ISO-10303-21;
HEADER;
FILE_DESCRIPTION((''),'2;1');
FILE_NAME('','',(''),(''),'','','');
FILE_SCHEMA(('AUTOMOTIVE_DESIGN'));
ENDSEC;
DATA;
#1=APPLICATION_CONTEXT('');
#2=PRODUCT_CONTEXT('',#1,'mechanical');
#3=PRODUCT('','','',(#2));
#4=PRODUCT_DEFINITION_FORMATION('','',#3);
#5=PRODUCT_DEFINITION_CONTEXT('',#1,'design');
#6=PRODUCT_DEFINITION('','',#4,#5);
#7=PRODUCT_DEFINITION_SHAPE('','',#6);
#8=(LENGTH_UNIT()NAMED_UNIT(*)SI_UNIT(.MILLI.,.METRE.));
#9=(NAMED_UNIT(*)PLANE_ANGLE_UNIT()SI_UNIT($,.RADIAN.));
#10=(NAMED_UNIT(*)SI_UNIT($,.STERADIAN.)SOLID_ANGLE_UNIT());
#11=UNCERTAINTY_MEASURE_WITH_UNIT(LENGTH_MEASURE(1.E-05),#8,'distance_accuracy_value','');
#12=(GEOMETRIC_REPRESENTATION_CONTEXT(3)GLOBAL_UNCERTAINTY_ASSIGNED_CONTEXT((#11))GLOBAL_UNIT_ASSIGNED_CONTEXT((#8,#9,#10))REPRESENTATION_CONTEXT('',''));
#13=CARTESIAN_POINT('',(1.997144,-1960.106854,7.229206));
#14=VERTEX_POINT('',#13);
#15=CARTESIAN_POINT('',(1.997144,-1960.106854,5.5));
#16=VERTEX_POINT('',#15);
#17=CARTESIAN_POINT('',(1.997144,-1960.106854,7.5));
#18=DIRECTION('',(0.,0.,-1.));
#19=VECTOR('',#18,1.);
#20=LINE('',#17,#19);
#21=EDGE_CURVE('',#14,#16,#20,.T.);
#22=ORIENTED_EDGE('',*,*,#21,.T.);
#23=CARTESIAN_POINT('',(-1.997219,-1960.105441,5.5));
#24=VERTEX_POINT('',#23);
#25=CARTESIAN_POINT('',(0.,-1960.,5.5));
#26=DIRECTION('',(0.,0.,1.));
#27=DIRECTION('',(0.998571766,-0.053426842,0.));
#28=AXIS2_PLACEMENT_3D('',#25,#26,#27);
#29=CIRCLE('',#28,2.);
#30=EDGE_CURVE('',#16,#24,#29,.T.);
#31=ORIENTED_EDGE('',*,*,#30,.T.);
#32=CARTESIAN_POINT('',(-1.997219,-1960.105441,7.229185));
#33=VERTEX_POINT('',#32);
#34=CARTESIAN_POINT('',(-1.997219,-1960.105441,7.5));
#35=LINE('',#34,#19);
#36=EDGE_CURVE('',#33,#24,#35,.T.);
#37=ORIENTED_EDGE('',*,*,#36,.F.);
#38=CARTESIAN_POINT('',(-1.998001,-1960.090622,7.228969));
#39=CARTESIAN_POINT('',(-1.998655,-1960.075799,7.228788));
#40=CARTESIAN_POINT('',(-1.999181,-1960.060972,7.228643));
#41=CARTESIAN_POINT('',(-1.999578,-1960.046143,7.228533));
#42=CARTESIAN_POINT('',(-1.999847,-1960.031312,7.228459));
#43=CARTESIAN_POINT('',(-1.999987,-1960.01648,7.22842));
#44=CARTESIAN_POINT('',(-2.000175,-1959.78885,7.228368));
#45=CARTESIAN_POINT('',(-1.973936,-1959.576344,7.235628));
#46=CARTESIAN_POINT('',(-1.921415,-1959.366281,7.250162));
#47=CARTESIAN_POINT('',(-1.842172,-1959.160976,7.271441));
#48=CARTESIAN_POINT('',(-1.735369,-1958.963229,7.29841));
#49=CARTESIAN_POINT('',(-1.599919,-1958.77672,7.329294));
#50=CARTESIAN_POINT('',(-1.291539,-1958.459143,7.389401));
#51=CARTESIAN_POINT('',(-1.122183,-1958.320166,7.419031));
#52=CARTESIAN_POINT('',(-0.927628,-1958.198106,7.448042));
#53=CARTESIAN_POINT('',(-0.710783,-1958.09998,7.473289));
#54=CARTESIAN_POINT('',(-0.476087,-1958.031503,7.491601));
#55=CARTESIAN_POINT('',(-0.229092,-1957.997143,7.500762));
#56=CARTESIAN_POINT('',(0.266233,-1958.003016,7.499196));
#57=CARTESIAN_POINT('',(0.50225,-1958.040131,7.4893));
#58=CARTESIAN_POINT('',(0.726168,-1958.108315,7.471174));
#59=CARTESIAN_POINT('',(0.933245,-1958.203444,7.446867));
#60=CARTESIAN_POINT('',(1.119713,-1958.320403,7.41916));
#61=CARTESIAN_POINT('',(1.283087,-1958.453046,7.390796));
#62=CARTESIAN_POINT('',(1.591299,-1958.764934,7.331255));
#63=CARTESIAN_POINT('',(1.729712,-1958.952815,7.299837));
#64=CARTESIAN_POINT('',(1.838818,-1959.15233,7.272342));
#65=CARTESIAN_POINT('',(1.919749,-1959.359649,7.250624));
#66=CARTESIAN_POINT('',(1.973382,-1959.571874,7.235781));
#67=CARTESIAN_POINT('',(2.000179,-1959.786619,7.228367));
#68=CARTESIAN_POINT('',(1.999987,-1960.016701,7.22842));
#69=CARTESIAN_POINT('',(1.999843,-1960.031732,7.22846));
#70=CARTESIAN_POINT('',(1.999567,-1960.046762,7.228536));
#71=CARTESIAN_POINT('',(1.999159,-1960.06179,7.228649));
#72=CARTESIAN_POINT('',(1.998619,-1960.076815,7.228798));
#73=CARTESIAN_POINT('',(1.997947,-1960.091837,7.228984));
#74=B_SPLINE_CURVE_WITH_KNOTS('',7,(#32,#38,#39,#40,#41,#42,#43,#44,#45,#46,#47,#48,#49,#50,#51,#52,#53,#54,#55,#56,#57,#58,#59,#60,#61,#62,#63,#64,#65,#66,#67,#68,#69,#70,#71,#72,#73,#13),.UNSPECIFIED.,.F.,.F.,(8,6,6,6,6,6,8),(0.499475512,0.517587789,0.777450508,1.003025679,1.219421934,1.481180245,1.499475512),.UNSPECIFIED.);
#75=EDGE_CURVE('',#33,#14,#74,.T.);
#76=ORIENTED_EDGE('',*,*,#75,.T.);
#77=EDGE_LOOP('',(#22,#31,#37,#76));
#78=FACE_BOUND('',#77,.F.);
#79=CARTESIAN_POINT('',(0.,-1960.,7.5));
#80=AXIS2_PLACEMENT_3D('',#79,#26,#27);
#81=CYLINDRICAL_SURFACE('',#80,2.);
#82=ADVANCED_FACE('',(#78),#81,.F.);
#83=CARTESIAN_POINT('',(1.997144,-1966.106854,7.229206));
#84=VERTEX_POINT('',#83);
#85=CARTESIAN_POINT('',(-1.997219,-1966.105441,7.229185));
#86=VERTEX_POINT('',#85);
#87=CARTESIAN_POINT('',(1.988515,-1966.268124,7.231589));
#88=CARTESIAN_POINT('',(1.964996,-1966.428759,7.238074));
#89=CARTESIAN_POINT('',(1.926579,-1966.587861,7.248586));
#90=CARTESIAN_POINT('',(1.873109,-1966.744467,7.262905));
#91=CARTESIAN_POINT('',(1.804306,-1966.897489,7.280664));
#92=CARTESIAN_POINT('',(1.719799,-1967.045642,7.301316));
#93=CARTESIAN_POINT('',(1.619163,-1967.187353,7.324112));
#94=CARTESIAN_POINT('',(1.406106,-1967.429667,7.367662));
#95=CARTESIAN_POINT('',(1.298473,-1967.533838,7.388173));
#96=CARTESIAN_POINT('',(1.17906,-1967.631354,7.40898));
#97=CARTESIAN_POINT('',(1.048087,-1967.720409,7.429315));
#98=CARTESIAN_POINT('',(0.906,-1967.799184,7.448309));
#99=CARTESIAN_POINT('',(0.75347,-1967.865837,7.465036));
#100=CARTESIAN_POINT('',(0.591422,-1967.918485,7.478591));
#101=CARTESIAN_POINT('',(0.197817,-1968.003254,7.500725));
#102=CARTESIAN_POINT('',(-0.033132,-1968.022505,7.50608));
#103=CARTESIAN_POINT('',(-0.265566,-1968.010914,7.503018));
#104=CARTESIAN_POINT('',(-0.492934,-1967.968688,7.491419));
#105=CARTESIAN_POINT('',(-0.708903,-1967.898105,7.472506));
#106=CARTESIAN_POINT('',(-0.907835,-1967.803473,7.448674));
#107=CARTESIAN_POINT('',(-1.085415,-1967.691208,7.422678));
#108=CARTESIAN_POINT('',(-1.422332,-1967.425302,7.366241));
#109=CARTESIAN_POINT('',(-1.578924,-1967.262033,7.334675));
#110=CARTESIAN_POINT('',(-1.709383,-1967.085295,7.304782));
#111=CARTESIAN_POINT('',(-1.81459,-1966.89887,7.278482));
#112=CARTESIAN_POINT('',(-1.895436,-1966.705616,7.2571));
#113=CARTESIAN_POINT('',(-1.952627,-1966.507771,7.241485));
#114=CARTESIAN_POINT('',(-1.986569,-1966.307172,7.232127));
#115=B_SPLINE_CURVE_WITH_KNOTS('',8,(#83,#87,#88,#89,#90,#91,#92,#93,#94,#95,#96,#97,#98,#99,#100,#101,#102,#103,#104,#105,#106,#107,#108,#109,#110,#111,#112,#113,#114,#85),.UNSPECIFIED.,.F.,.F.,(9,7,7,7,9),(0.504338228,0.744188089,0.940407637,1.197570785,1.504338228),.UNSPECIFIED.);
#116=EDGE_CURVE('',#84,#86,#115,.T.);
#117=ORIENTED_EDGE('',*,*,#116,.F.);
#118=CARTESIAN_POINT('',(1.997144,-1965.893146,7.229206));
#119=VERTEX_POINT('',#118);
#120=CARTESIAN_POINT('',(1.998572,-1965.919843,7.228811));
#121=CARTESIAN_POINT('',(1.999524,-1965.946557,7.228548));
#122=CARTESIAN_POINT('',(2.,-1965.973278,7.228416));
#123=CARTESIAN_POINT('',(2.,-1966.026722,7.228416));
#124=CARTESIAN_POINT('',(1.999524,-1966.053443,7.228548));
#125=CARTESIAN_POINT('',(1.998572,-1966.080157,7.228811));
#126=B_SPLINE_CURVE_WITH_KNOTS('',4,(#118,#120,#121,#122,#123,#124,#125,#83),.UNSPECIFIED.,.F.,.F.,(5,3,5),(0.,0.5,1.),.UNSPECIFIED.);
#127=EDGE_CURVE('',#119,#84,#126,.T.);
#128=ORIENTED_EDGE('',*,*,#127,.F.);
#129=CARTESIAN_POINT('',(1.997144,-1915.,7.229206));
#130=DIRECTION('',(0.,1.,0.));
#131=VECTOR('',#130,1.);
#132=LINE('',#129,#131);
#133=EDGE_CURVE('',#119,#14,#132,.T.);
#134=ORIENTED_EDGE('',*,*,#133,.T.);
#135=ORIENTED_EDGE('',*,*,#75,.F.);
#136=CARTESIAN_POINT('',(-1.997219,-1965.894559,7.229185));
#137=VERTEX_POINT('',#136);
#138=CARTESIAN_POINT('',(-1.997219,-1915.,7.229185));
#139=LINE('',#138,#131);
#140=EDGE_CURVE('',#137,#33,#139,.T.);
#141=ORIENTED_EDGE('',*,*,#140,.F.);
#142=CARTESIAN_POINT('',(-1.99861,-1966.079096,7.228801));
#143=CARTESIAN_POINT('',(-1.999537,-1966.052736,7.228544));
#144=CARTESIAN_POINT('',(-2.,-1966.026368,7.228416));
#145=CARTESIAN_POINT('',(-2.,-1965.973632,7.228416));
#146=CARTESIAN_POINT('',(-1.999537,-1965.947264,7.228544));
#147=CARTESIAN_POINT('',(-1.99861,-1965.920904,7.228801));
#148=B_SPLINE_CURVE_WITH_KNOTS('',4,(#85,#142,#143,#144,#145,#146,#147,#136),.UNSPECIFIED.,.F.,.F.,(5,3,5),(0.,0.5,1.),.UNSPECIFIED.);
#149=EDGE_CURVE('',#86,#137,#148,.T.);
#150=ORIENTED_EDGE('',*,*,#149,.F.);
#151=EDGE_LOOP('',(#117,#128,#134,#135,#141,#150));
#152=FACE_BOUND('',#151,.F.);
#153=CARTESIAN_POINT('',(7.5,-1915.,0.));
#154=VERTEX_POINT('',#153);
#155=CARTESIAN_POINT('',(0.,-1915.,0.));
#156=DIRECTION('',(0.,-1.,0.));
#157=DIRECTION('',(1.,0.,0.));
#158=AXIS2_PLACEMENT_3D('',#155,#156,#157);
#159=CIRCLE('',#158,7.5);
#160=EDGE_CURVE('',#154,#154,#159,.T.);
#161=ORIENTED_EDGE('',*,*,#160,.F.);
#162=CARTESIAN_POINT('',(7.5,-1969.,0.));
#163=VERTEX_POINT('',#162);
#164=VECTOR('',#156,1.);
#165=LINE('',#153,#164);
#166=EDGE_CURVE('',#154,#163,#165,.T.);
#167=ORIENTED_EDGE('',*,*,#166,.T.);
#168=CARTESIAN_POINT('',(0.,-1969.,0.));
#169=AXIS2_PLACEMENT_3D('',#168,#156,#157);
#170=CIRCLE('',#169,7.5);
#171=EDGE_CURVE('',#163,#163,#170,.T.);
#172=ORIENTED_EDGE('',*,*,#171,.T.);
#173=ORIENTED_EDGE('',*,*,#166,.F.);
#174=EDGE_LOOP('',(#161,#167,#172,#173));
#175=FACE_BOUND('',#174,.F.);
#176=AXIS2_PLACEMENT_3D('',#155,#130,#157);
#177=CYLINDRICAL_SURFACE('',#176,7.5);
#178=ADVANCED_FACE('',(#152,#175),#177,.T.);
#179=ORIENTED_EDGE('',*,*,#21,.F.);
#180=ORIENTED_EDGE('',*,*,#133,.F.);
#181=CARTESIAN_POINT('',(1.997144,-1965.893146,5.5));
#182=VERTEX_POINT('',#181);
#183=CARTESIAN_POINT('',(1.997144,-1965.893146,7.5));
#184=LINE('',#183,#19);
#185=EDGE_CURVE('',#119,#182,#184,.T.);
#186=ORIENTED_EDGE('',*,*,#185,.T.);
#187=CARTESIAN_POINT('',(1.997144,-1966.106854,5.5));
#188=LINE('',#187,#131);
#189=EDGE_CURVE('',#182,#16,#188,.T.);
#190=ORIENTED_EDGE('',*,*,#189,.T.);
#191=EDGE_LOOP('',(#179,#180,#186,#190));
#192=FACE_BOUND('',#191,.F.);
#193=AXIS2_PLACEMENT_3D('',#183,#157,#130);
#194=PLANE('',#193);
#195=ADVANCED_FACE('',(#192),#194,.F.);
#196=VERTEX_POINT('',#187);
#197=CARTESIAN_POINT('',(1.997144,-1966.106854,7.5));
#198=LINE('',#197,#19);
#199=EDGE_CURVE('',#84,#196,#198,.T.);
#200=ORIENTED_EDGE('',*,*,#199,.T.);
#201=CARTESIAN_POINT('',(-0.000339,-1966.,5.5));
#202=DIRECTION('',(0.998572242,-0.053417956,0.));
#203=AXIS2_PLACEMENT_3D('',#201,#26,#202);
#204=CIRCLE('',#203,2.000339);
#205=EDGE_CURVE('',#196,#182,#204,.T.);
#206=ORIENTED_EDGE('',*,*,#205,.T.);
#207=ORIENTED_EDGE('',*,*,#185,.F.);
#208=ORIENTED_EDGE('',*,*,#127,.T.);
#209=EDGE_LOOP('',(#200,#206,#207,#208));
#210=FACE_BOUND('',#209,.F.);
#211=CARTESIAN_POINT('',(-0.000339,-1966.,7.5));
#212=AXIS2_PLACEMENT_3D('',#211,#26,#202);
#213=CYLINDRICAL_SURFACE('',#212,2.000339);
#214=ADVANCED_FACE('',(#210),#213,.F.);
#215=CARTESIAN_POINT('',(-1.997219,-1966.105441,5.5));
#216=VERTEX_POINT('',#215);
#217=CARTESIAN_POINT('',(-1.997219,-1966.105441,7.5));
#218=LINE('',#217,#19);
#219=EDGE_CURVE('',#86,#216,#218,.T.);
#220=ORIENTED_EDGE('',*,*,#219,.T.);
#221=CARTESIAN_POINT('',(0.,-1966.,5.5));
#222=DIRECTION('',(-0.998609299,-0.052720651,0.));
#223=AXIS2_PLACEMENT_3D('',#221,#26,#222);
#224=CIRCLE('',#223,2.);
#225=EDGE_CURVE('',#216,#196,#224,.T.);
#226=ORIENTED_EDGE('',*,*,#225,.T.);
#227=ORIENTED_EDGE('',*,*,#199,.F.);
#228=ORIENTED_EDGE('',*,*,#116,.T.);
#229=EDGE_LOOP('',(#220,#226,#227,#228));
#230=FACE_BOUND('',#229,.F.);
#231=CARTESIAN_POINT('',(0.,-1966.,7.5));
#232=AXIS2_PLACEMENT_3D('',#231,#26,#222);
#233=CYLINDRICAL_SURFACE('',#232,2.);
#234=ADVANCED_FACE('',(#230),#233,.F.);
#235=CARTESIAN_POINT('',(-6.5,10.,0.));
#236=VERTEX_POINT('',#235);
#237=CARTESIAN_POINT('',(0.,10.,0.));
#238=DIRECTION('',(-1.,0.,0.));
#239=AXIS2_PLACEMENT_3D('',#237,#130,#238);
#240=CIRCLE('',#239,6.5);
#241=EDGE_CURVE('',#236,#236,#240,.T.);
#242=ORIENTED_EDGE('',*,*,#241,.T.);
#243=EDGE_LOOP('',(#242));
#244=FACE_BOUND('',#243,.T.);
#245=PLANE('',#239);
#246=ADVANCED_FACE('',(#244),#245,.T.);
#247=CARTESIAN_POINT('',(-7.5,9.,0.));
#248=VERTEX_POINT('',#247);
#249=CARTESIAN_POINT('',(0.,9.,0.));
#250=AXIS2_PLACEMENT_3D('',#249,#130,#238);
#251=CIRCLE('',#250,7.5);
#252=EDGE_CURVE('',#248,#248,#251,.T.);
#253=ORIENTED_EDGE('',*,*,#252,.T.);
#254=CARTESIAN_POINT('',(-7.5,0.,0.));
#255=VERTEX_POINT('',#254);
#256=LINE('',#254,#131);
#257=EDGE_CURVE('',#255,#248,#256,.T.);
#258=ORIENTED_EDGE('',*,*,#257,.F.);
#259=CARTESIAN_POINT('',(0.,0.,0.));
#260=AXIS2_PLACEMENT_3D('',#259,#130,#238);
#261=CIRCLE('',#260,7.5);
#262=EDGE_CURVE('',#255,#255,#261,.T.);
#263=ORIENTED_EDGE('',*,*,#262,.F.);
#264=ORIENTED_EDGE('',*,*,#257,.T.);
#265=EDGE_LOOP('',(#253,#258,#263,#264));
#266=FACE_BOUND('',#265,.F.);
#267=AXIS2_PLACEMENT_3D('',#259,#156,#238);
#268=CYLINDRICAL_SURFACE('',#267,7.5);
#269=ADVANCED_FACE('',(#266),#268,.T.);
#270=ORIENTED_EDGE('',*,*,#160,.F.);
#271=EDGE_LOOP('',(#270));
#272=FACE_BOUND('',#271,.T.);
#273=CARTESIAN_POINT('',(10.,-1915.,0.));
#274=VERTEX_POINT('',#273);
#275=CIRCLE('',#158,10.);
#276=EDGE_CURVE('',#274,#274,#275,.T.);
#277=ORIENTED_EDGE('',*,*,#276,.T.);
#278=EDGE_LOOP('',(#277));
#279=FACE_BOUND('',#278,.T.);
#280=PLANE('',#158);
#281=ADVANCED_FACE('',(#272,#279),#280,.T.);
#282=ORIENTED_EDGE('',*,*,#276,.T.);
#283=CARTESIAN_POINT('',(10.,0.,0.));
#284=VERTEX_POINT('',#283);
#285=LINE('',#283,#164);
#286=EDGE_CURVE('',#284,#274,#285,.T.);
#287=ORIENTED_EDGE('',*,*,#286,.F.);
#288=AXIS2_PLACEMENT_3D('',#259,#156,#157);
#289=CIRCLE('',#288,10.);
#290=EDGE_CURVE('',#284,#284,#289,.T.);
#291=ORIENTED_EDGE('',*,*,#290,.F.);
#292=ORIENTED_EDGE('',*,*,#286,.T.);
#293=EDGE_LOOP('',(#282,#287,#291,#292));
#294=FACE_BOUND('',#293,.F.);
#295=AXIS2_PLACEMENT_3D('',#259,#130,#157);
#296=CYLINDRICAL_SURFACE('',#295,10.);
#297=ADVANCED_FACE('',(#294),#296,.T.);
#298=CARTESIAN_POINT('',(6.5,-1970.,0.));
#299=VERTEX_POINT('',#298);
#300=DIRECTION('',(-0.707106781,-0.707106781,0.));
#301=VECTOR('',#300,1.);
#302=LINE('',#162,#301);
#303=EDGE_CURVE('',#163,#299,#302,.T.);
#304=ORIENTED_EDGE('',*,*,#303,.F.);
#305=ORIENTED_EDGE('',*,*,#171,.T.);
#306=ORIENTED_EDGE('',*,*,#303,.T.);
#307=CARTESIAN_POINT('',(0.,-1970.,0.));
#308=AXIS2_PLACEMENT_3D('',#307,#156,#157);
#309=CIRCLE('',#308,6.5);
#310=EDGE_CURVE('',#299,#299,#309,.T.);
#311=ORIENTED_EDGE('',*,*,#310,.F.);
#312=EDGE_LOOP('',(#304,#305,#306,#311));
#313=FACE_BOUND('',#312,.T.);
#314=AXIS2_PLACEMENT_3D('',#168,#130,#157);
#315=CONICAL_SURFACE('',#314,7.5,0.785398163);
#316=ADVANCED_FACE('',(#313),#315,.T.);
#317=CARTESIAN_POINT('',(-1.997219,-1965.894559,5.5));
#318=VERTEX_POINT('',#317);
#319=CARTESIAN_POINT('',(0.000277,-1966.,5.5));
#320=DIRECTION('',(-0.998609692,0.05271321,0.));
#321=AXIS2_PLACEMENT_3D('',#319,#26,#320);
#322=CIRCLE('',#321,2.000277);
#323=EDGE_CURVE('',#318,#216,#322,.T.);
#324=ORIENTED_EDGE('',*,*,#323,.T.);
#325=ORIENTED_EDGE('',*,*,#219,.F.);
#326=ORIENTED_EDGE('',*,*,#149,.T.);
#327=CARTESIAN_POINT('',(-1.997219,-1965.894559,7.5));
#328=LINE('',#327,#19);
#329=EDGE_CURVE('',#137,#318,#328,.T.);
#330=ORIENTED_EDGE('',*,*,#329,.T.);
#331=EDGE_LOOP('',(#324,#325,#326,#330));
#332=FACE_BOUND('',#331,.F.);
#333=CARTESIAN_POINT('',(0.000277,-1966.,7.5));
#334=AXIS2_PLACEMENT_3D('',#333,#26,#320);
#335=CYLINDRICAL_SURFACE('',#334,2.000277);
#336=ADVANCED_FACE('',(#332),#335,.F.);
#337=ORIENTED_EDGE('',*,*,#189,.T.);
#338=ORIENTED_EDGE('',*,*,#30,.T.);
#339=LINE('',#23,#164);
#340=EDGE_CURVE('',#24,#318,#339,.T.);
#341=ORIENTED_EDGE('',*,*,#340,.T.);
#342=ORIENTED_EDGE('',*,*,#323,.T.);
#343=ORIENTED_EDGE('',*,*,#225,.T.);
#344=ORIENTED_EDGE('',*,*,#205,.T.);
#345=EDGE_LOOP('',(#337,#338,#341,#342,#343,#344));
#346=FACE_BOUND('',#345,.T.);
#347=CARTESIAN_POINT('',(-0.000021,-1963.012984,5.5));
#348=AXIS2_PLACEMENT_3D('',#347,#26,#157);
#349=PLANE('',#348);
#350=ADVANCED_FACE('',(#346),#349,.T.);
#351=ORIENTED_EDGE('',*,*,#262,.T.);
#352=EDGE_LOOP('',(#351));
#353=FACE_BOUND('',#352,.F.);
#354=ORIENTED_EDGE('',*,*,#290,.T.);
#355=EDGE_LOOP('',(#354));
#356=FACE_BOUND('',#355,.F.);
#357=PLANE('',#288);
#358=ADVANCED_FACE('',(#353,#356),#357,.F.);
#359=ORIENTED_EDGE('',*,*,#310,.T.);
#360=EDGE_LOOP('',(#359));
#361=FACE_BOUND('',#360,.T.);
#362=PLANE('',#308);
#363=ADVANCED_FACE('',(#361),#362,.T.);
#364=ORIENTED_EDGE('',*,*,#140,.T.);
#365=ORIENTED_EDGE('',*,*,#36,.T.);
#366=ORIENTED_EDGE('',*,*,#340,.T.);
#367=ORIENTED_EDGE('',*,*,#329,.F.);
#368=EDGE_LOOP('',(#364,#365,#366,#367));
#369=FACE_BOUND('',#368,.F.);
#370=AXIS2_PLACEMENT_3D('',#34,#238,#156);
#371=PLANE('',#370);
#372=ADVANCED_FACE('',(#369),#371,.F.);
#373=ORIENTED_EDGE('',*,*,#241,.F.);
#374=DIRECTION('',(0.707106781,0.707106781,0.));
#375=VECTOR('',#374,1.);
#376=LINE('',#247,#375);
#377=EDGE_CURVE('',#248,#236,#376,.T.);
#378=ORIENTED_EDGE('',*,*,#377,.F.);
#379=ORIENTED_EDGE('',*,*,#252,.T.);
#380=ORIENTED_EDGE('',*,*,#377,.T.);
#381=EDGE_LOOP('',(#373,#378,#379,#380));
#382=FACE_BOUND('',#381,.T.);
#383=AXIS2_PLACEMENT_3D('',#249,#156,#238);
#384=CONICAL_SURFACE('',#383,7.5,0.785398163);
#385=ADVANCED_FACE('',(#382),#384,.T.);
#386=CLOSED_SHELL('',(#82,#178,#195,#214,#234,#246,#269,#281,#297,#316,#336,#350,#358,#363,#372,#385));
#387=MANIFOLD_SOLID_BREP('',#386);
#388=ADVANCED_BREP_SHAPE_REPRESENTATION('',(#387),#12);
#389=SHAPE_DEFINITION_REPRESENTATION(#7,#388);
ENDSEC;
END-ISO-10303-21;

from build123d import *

# Parameters (mm, degrees)
F0_R     = 10
F1_DEPTH = 1915
F2_R     = 7.5
F3_DEPTH = 55
F4_R     = 7.5
F5_DEPTH = 10
F8_DEPTH = 2
F9_SIZE  = 1


with BuildPart() as f1:
    # F0 (on Front) → F1 (new body)
    with BuildSketch(Plane.XZ):
        Circle(F0_R)
    extrude(amount=F1_DEPTH)

    # F2 (on face) → F3 (join)
    with BuildSketch(Plane.XZ.offset(1915)):
        Circle(F2_R)
    extrude(amount=F3_DEPTH)

    # F4 (on face) → F5 (join)
    with BuildSketch(Plane(origin=(0, 0, 0), x_dir=(-1, 0, 0), z_dir=(0, 1, 0))):
        Circle(F4_R)
    extrude(amount=F5_DEPTH)

    # F7 (on offset) → F8 (cut)
    with BuildSketch(Plane.XY.offset(7.5)):
        with BuildLine():
            Line((1.997144, -1965.893146), (1.997144, -1960.106854))
            ThreePointArc((1.997144, -1960.106854), (0.000708, -1958), (-1.997219, -1960.105441))
            Line((-1.997219, -1960.105441), (-1.997219, -1965.894559))
            Line((-1.997219, -1965.894559), (-1.997219, -1966.105441))
            ThreePointArc((-1.997219, -1966.105441), (-0.000708, -1968), (1.997144, -1966.106854))
            Line((1.997144, -1966.106854), (1.997144, -1965.893146))
        make_face()
        with BuildLine():
            ThreePointArc((1.997144, -1966.106854), (2, -1966), (1.997144, -1965.893146))
            Line((1.997144, -1965.893146), (1.997144, -1966.106854))
        make_face()
        with BuildLine():
            Line((-1.997219, -1966.105441), (-1.997219, -1965.894559))
            ThreePointArc((-1.997219, -1965.894559), (-2, -1966), (-1.997219, -1966.105441))
        make_face()
    extrude(amount=-F8_DEPTH, mode=Mode.SUBTRACT)

    # F9
    f9_edges = [f1.edges().sort_by_distance(p)[0] for p in [
        (-7.5, -1970, 0),
        (7.5, 10, 0),
    ]]
    chamfer(f9_edges, length=F9_SIZE)


solid = f1.part
